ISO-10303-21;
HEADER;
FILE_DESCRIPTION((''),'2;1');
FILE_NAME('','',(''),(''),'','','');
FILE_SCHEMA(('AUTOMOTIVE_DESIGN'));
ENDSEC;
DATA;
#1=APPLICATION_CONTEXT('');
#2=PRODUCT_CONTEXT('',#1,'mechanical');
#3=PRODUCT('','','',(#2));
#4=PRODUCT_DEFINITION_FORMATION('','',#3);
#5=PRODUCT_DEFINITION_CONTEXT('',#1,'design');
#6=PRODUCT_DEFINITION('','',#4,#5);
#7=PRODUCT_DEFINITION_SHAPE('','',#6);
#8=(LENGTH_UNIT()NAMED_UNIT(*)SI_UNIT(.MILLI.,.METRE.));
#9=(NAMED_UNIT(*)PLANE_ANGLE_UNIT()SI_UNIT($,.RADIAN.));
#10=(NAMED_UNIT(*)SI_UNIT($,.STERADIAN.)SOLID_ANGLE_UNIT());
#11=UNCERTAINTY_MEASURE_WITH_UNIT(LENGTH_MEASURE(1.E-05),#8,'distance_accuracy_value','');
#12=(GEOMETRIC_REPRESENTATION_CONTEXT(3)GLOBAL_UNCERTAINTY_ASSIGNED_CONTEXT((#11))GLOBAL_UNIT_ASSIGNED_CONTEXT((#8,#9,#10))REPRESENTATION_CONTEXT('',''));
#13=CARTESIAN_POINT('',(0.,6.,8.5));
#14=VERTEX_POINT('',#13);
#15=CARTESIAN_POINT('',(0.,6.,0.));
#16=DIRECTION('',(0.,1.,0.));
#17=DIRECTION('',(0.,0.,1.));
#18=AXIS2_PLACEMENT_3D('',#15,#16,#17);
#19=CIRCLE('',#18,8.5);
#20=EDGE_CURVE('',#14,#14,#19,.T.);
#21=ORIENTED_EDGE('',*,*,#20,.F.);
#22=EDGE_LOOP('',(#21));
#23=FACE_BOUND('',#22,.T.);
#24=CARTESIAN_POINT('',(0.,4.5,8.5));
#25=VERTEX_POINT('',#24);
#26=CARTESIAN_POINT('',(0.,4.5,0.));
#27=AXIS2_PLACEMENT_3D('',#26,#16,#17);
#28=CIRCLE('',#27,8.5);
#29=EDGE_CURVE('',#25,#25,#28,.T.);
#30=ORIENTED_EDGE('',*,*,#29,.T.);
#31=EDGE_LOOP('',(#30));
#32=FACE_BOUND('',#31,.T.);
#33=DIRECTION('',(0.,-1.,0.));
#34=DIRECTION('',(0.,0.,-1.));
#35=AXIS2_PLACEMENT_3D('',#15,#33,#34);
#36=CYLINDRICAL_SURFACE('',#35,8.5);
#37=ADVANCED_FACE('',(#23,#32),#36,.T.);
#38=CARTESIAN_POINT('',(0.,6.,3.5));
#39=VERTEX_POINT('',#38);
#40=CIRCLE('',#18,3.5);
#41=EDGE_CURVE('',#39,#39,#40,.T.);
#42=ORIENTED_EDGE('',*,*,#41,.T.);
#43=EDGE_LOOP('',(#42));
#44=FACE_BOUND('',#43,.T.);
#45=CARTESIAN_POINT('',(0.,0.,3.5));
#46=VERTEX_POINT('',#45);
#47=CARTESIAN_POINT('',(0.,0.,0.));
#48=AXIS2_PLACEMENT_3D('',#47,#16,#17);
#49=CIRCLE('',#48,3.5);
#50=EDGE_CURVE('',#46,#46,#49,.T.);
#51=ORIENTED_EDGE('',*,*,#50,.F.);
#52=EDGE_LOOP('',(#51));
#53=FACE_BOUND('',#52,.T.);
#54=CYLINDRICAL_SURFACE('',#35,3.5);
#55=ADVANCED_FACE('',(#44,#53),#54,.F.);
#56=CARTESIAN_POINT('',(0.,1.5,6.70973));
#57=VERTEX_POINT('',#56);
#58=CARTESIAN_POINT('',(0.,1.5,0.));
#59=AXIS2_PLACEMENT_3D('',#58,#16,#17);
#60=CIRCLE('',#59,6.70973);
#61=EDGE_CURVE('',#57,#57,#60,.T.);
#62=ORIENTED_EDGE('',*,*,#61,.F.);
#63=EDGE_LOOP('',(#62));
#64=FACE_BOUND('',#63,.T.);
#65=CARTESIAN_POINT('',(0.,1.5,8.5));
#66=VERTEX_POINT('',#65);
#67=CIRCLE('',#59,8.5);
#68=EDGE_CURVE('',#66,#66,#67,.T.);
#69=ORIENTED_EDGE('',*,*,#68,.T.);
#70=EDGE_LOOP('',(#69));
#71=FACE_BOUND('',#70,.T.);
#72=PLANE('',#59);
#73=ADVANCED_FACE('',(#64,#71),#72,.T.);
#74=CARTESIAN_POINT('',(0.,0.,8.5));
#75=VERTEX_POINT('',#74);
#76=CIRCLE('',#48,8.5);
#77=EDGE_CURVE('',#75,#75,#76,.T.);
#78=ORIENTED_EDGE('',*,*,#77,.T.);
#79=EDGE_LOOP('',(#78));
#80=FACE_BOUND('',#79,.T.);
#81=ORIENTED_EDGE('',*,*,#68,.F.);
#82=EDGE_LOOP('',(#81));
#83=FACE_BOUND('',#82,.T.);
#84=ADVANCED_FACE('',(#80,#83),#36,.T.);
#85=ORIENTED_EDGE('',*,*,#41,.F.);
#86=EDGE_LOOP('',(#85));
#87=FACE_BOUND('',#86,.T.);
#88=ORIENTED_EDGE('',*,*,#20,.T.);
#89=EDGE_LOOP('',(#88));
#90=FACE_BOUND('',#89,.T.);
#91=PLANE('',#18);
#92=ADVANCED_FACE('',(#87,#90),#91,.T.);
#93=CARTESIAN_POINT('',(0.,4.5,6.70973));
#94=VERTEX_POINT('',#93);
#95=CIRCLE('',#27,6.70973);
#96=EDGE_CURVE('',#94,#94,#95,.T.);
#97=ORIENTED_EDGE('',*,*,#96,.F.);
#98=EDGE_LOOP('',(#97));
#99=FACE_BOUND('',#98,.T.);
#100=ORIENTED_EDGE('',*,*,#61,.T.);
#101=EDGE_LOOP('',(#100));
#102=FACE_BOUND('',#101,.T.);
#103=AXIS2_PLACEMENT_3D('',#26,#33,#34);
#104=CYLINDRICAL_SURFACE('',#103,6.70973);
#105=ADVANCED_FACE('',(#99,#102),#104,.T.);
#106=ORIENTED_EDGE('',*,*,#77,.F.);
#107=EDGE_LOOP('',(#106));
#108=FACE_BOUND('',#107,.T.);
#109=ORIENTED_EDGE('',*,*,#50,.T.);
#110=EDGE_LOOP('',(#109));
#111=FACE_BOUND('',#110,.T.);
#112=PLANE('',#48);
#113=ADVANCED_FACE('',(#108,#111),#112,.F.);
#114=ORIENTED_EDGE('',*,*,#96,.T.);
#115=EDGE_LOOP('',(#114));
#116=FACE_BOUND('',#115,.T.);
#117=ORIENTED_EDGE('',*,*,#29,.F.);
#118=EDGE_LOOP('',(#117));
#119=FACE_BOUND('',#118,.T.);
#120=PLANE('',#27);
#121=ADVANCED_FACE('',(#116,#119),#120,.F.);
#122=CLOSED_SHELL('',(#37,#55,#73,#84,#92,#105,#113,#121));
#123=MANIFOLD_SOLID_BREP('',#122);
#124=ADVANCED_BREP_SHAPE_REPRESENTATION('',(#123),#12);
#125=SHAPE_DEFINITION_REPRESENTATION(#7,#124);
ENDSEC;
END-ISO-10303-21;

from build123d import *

# Parameters (mm, degrees)
SKIZZE1_R                       = 8.5
SKIZZE1_R_2                     = 3.5
AUFSATZ_LINEAR_AUSTRAGEN1_DEPTH = 6
SCHNITT_LINEAR_START            = 1.5
SKIZZE2_R                       = 13.890066822
SKIZZE2_R_2                     = 6.709730291
SCHNITT_LINEAR_AUSTRAGEN1_DEPTH = 3


with BuildPart() as part:
    # Skizze1 → Aufsatz-Linear austragen1 (new body)
    with BuildSketch(Plane(origin=(0, 0, 0), x_dir=(1, 0, 0), z_dir=(0, 1, 0))):
        Circle(SKIZZE1_R)
        Circle(SKIZZE1_R_2, mode=Mode.SUBTRACT)
    extrude(amount=AUFSATZ_LINEAR_AUSTRAGEN1_DEPTH)

    # Skizze2 → Schnitt-Linear austragen1 (cut)
    with BuildSketch(Plane(origin=(0, 0, 0), x_dir=(1, 0, 0), z_dir=(0, 1, 0)).offset(SCHNITT_LINEAR_START)):
        Circle(SKIZZE2_R)
        Circle(SKIZZE2_R_2, mode=Mode.SUBTRACT)
    extrude(amount=SCHNITT_LINEAR_AUSTRAGEN1_DEPTH, mode=Mode.SUBTRACT)


solid = part.part
